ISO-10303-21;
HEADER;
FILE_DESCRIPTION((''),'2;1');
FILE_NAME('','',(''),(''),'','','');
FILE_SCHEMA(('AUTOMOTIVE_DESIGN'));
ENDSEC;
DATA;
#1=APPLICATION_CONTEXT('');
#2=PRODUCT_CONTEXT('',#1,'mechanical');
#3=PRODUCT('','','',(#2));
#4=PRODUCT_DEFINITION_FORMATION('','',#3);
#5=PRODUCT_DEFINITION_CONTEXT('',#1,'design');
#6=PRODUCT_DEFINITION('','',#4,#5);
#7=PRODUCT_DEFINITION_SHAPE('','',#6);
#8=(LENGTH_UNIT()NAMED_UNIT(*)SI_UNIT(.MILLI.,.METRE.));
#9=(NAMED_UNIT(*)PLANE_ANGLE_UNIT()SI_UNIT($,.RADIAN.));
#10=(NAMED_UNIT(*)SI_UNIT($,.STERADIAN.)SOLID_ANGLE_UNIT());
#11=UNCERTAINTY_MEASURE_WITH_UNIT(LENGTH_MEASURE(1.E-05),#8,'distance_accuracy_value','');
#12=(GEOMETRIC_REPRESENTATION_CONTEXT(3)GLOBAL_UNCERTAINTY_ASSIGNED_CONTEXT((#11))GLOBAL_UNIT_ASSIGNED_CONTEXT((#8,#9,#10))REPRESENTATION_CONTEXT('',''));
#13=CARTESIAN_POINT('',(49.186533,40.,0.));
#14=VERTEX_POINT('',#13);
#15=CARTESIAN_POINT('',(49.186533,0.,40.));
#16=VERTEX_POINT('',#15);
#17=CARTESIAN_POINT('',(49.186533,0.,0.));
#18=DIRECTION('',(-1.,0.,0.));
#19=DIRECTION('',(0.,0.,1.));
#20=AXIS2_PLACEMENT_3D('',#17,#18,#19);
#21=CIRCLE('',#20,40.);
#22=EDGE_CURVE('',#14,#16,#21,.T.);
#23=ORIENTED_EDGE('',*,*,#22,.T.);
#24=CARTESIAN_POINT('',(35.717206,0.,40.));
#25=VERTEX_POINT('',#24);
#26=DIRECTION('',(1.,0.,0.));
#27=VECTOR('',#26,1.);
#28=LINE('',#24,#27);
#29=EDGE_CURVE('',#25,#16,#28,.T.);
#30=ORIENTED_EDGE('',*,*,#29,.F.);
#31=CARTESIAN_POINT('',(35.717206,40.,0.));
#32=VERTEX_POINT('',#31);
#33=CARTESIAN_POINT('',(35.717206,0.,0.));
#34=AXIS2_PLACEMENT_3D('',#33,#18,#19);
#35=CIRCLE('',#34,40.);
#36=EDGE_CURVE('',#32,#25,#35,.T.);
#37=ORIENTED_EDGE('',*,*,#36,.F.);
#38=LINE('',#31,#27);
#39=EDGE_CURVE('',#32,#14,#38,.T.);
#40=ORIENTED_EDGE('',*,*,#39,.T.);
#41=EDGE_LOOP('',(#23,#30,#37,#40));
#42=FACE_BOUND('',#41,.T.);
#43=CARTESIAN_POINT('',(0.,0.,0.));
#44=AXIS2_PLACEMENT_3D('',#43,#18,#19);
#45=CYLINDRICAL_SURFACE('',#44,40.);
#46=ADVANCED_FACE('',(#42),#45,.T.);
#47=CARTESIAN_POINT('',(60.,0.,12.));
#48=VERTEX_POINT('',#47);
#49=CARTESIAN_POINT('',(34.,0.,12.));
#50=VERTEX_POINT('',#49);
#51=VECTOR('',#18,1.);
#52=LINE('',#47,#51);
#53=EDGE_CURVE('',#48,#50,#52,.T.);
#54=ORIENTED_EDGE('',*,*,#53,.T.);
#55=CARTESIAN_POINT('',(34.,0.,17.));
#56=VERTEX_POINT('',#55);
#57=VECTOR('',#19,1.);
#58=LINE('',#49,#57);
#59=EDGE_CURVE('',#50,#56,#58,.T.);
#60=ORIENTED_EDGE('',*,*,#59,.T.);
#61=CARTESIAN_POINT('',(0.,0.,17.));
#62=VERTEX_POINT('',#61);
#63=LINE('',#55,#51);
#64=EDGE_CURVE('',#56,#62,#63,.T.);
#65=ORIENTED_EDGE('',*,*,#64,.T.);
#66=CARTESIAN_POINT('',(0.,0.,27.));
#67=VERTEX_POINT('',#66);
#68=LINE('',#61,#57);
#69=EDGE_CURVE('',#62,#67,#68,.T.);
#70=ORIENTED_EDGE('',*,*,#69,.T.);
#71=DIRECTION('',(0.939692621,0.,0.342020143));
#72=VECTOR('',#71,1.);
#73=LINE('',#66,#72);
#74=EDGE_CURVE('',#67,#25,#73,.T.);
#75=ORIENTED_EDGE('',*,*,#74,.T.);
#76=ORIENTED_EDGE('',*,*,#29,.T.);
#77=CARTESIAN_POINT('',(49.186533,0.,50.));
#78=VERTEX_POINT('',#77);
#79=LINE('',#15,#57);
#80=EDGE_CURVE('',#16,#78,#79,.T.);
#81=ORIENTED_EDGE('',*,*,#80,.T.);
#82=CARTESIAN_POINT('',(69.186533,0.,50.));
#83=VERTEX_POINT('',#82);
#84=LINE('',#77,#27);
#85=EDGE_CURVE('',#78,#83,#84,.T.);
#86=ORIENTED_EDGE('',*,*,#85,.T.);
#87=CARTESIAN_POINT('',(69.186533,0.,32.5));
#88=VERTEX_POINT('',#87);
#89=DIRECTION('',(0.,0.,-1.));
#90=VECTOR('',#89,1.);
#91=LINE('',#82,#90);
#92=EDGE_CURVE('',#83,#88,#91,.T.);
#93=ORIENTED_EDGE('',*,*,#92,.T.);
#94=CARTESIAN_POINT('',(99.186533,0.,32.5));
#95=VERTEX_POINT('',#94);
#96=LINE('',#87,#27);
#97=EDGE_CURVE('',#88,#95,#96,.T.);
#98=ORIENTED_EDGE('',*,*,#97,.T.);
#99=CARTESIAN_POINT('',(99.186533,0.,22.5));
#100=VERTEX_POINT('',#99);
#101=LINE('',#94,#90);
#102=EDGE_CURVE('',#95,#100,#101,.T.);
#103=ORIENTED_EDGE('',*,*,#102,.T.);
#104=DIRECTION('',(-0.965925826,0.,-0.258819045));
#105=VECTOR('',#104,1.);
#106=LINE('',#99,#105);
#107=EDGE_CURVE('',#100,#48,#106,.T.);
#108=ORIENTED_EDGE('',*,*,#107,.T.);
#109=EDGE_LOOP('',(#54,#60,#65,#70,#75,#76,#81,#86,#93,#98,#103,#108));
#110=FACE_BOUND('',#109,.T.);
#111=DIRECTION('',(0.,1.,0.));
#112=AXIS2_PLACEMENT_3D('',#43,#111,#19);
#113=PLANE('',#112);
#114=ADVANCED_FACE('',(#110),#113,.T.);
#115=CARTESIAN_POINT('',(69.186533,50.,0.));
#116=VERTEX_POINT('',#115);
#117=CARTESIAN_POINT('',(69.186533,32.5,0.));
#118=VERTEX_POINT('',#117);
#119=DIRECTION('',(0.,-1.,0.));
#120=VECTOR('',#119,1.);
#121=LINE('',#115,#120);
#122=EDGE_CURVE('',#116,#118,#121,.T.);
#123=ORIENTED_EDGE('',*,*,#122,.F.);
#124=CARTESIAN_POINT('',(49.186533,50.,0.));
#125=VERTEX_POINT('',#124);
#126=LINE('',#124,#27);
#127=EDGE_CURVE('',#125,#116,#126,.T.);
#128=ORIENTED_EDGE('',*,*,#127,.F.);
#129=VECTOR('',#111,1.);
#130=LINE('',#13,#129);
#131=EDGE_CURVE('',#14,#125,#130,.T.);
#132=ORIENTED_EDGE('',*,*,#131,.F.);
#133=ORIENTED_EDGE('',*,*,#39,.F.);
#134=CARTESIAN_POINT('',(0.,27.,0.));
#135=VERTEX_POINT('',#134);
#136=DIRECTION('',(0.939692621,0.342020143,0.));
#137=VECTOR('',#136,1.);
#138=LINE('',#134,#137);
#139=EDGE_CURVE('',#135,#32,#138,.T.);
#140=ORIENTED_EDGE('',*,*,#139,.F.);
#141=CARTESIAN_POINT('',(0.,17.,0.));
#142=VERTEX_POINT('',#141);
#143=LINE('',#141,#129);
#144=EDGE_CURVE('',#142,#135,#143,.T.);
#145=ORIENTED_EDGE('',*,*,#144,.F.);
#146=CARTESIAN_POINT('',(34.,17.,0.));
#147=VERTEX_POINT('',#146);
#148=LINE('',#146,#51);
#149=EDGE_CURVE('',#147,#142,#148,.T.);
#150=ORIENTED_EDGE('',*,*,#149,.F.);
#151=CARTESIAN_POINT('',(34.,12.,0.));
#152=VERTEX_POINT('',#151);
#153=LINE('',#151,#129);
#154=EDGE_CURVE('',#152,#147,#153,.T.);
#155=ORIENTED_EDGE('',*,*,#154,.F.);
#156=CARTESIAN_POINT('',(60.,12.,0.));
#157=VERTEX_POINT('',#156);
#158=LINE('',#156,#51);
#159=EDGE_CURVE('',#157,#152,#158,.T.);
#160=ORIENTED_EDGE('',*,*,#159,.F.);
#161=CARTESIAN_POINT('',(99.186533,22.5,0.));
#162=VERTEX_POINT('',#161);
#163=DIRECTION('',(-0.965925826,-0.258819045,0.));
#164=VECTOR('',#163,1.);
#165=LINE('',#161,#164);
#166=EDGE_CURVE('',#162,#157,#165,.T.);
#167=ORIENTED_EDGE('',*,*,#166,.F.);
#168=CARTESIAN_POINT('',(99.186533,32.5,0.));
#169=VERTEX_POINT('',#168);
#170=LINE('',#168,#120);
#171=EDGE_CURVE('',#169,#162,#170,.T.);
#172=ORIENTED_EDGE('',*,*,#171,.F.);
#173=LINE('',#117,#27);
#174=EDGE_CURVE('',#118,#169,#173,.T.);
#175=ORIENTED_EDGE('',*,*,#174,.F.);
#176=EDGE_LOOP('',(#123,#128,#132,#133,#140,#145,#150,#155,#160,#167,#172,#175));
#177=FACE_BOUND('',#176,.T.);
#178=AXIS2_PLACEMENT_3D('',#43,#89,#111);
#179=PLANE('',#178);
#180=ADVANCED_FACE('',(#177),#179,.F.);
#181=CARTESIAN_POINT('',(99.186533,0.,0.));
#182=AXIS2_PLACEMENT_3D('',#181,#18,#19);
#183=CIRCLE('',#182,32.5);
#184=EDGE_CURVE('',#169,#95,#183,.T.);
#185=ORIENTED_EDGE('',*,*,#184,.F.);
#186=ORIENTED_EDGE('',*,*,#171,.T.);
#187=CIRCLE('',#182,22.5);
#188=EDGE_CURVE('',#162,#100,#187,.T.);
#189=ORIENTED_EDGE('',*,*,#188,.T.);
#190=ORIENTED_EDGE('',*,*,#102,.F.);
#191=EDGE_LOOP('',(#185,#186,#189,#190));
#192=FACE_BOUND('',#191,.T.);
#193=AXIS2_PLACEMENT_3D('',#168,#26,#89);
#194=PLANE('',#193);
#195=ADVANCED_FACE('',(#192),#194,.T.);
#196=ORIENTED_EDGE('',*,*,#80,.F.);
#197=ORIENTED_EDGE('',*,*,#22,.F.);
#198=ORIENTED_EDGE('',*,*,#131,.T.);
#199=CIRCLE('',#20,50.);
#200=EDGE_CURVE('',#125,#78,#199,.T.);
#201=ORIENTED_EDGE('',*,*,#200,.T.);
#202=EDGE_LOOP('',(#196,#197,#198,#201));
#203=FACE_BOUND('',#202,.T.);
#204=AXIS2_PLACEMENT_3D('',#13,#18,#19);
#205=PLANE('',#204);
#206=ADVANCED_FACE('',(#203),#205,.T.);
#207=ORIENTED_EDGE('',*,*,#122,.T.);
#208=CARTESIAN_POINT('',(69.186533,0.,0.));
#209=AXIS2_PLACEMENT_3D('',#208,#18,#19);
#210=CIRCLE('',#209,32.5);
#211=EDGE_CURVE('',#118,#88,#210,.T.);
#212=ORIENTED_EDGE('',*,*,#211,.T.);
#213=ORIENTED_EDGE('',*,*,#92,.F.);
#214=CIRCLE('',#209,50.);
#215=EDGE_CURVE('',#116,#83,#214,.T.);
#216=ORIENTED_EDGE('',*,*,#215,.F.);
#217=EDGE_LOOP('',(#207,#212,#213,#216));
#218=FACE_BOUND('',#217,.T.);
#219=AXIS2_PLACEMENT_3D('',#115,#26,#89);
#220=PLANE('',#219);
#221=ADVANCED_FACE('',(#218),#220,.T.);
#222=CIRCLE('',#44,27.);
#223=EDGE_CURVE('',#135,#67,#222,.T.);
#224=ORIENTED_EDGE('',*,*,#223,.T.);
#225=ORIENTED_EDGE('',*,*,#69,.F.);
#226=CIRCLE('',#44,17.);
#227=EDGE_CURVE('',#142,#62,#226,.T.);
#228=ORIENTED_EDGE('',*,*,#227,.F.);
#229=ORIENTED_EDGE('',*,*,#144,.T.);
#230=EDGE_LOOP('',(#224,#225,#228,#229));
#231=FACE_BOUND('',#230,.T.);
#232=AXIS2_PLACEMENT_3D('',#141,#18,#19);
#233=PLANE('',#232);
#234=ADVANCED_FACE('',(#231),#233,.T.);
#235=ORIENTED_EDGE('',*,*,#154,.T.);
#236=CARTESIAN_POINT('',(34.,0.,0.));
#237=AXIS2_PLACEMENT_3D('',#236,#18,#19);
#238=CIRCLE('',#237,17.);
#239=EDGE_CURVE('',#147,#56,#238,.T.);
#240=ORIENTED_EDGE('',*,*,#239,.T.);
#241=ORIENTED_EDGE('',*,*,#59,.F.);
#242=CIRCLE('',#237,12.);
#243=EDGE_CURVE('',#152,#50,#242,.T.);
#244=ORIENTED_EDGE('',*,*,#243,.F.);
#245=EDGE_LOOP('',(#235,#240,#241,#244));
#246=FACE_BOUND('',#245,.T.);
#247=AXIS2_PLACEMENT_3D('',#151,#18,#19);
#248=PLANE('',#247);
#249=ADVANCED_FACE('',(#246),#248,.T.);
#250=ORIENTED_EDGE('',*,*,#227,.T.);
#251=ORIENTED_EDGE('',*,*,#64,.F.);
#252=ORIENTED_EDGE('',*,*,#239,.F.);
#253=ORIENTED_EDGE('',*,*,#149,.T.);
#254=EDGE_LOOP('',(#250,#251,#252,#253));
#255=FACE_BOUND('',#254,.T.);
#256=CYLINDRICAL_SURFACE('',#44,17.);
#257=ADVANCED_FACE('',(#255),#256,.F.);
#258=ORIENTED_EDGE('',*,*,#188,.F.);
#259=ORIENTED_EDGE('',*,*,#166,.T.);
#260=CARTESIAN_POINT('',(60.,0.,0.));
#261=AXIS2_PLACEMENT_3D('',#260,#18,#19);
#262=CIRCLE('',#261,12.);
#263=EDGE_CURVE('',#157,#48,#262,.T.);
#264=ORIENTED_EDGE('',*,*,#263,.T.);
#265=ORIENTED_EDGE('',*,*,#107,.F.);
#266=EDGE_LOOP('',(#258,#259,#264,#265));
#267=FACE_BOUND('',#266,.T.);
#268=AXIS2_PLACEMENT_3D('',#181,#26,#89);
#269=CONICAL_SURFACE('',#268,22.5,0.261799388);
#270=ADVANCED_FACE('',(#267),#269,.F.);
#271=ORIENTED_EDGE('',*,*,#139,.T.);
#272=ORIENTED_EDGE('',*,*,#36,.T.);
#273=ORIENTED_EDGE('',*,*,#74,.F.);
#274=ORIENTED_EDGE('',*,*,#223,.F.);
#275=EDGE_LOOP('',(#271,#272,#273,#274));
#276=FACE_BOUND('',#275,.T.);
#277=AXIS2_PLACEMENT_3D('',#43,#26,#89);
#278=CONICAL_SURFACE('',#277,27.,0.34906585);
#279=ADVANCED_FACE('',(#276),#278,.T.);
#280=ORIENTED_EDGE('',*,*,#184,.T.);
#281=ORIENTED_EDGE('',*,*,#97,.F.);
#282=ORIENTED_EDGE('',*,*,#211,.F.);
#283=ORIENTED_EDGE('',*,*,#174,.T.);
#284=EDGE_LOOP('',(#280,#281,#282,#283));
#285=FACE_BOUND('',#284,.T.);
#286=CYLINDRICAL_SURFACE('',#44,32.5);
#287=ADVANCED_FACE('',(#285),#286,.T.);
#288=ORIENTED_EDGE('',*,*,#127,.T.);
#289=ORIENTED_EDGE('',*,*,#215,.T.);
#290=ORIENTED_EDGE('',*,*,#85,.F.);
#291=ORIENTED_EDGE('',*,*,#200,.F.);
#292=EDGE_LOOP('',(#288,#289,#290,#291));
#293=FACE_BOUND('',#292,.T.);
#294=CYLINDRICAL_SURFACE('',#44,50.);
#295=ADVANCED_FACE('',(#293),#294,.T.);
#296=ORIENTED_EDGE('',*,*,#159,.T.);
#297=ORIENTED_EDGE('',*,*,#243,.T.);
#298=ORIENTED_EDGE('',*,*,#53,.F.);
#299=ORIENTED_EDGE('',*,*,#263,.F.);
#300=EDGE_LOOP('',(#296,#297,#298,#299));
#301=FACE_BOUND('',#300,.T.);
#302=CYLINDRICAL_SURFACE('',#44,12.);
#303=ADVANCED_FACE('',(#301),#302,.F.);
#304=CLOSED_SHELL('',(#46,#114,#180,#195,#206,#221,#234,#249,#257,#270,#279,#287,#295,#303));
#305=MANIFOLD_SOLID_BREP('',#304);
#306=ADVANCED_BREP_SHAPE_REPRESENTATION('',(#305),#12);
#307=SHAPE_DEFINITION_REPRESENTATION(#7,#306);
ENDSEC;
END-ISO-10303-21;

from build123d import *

# Parameters (mm, degrees)
REVOLVE1_ANGLE = 270


with BuildPart() as part:
    # Sketch1 → Revolve1 (revolve)
    with BuildSketch(Plane(origin=(0, 0, 0), x_dir=(1, 0, 0), z_dir=(0, 1, 0))):
        Polygon((0, -17), (0, -27), (35.717206453, -40), (49.186533479, -40), (49.186533479, -50), (69.186533479, -50), (69.186533479, -32.5), (99.186533479, -32.5), (99.186533479, -22.5), (60, -12), (34, -12), (34, -17), align=None)
    revolve(axis=Axis((0, 0, 0), (1, 0, 0)), revolution_arc=REVOLVE1_ANGLE)


solid = part.part
